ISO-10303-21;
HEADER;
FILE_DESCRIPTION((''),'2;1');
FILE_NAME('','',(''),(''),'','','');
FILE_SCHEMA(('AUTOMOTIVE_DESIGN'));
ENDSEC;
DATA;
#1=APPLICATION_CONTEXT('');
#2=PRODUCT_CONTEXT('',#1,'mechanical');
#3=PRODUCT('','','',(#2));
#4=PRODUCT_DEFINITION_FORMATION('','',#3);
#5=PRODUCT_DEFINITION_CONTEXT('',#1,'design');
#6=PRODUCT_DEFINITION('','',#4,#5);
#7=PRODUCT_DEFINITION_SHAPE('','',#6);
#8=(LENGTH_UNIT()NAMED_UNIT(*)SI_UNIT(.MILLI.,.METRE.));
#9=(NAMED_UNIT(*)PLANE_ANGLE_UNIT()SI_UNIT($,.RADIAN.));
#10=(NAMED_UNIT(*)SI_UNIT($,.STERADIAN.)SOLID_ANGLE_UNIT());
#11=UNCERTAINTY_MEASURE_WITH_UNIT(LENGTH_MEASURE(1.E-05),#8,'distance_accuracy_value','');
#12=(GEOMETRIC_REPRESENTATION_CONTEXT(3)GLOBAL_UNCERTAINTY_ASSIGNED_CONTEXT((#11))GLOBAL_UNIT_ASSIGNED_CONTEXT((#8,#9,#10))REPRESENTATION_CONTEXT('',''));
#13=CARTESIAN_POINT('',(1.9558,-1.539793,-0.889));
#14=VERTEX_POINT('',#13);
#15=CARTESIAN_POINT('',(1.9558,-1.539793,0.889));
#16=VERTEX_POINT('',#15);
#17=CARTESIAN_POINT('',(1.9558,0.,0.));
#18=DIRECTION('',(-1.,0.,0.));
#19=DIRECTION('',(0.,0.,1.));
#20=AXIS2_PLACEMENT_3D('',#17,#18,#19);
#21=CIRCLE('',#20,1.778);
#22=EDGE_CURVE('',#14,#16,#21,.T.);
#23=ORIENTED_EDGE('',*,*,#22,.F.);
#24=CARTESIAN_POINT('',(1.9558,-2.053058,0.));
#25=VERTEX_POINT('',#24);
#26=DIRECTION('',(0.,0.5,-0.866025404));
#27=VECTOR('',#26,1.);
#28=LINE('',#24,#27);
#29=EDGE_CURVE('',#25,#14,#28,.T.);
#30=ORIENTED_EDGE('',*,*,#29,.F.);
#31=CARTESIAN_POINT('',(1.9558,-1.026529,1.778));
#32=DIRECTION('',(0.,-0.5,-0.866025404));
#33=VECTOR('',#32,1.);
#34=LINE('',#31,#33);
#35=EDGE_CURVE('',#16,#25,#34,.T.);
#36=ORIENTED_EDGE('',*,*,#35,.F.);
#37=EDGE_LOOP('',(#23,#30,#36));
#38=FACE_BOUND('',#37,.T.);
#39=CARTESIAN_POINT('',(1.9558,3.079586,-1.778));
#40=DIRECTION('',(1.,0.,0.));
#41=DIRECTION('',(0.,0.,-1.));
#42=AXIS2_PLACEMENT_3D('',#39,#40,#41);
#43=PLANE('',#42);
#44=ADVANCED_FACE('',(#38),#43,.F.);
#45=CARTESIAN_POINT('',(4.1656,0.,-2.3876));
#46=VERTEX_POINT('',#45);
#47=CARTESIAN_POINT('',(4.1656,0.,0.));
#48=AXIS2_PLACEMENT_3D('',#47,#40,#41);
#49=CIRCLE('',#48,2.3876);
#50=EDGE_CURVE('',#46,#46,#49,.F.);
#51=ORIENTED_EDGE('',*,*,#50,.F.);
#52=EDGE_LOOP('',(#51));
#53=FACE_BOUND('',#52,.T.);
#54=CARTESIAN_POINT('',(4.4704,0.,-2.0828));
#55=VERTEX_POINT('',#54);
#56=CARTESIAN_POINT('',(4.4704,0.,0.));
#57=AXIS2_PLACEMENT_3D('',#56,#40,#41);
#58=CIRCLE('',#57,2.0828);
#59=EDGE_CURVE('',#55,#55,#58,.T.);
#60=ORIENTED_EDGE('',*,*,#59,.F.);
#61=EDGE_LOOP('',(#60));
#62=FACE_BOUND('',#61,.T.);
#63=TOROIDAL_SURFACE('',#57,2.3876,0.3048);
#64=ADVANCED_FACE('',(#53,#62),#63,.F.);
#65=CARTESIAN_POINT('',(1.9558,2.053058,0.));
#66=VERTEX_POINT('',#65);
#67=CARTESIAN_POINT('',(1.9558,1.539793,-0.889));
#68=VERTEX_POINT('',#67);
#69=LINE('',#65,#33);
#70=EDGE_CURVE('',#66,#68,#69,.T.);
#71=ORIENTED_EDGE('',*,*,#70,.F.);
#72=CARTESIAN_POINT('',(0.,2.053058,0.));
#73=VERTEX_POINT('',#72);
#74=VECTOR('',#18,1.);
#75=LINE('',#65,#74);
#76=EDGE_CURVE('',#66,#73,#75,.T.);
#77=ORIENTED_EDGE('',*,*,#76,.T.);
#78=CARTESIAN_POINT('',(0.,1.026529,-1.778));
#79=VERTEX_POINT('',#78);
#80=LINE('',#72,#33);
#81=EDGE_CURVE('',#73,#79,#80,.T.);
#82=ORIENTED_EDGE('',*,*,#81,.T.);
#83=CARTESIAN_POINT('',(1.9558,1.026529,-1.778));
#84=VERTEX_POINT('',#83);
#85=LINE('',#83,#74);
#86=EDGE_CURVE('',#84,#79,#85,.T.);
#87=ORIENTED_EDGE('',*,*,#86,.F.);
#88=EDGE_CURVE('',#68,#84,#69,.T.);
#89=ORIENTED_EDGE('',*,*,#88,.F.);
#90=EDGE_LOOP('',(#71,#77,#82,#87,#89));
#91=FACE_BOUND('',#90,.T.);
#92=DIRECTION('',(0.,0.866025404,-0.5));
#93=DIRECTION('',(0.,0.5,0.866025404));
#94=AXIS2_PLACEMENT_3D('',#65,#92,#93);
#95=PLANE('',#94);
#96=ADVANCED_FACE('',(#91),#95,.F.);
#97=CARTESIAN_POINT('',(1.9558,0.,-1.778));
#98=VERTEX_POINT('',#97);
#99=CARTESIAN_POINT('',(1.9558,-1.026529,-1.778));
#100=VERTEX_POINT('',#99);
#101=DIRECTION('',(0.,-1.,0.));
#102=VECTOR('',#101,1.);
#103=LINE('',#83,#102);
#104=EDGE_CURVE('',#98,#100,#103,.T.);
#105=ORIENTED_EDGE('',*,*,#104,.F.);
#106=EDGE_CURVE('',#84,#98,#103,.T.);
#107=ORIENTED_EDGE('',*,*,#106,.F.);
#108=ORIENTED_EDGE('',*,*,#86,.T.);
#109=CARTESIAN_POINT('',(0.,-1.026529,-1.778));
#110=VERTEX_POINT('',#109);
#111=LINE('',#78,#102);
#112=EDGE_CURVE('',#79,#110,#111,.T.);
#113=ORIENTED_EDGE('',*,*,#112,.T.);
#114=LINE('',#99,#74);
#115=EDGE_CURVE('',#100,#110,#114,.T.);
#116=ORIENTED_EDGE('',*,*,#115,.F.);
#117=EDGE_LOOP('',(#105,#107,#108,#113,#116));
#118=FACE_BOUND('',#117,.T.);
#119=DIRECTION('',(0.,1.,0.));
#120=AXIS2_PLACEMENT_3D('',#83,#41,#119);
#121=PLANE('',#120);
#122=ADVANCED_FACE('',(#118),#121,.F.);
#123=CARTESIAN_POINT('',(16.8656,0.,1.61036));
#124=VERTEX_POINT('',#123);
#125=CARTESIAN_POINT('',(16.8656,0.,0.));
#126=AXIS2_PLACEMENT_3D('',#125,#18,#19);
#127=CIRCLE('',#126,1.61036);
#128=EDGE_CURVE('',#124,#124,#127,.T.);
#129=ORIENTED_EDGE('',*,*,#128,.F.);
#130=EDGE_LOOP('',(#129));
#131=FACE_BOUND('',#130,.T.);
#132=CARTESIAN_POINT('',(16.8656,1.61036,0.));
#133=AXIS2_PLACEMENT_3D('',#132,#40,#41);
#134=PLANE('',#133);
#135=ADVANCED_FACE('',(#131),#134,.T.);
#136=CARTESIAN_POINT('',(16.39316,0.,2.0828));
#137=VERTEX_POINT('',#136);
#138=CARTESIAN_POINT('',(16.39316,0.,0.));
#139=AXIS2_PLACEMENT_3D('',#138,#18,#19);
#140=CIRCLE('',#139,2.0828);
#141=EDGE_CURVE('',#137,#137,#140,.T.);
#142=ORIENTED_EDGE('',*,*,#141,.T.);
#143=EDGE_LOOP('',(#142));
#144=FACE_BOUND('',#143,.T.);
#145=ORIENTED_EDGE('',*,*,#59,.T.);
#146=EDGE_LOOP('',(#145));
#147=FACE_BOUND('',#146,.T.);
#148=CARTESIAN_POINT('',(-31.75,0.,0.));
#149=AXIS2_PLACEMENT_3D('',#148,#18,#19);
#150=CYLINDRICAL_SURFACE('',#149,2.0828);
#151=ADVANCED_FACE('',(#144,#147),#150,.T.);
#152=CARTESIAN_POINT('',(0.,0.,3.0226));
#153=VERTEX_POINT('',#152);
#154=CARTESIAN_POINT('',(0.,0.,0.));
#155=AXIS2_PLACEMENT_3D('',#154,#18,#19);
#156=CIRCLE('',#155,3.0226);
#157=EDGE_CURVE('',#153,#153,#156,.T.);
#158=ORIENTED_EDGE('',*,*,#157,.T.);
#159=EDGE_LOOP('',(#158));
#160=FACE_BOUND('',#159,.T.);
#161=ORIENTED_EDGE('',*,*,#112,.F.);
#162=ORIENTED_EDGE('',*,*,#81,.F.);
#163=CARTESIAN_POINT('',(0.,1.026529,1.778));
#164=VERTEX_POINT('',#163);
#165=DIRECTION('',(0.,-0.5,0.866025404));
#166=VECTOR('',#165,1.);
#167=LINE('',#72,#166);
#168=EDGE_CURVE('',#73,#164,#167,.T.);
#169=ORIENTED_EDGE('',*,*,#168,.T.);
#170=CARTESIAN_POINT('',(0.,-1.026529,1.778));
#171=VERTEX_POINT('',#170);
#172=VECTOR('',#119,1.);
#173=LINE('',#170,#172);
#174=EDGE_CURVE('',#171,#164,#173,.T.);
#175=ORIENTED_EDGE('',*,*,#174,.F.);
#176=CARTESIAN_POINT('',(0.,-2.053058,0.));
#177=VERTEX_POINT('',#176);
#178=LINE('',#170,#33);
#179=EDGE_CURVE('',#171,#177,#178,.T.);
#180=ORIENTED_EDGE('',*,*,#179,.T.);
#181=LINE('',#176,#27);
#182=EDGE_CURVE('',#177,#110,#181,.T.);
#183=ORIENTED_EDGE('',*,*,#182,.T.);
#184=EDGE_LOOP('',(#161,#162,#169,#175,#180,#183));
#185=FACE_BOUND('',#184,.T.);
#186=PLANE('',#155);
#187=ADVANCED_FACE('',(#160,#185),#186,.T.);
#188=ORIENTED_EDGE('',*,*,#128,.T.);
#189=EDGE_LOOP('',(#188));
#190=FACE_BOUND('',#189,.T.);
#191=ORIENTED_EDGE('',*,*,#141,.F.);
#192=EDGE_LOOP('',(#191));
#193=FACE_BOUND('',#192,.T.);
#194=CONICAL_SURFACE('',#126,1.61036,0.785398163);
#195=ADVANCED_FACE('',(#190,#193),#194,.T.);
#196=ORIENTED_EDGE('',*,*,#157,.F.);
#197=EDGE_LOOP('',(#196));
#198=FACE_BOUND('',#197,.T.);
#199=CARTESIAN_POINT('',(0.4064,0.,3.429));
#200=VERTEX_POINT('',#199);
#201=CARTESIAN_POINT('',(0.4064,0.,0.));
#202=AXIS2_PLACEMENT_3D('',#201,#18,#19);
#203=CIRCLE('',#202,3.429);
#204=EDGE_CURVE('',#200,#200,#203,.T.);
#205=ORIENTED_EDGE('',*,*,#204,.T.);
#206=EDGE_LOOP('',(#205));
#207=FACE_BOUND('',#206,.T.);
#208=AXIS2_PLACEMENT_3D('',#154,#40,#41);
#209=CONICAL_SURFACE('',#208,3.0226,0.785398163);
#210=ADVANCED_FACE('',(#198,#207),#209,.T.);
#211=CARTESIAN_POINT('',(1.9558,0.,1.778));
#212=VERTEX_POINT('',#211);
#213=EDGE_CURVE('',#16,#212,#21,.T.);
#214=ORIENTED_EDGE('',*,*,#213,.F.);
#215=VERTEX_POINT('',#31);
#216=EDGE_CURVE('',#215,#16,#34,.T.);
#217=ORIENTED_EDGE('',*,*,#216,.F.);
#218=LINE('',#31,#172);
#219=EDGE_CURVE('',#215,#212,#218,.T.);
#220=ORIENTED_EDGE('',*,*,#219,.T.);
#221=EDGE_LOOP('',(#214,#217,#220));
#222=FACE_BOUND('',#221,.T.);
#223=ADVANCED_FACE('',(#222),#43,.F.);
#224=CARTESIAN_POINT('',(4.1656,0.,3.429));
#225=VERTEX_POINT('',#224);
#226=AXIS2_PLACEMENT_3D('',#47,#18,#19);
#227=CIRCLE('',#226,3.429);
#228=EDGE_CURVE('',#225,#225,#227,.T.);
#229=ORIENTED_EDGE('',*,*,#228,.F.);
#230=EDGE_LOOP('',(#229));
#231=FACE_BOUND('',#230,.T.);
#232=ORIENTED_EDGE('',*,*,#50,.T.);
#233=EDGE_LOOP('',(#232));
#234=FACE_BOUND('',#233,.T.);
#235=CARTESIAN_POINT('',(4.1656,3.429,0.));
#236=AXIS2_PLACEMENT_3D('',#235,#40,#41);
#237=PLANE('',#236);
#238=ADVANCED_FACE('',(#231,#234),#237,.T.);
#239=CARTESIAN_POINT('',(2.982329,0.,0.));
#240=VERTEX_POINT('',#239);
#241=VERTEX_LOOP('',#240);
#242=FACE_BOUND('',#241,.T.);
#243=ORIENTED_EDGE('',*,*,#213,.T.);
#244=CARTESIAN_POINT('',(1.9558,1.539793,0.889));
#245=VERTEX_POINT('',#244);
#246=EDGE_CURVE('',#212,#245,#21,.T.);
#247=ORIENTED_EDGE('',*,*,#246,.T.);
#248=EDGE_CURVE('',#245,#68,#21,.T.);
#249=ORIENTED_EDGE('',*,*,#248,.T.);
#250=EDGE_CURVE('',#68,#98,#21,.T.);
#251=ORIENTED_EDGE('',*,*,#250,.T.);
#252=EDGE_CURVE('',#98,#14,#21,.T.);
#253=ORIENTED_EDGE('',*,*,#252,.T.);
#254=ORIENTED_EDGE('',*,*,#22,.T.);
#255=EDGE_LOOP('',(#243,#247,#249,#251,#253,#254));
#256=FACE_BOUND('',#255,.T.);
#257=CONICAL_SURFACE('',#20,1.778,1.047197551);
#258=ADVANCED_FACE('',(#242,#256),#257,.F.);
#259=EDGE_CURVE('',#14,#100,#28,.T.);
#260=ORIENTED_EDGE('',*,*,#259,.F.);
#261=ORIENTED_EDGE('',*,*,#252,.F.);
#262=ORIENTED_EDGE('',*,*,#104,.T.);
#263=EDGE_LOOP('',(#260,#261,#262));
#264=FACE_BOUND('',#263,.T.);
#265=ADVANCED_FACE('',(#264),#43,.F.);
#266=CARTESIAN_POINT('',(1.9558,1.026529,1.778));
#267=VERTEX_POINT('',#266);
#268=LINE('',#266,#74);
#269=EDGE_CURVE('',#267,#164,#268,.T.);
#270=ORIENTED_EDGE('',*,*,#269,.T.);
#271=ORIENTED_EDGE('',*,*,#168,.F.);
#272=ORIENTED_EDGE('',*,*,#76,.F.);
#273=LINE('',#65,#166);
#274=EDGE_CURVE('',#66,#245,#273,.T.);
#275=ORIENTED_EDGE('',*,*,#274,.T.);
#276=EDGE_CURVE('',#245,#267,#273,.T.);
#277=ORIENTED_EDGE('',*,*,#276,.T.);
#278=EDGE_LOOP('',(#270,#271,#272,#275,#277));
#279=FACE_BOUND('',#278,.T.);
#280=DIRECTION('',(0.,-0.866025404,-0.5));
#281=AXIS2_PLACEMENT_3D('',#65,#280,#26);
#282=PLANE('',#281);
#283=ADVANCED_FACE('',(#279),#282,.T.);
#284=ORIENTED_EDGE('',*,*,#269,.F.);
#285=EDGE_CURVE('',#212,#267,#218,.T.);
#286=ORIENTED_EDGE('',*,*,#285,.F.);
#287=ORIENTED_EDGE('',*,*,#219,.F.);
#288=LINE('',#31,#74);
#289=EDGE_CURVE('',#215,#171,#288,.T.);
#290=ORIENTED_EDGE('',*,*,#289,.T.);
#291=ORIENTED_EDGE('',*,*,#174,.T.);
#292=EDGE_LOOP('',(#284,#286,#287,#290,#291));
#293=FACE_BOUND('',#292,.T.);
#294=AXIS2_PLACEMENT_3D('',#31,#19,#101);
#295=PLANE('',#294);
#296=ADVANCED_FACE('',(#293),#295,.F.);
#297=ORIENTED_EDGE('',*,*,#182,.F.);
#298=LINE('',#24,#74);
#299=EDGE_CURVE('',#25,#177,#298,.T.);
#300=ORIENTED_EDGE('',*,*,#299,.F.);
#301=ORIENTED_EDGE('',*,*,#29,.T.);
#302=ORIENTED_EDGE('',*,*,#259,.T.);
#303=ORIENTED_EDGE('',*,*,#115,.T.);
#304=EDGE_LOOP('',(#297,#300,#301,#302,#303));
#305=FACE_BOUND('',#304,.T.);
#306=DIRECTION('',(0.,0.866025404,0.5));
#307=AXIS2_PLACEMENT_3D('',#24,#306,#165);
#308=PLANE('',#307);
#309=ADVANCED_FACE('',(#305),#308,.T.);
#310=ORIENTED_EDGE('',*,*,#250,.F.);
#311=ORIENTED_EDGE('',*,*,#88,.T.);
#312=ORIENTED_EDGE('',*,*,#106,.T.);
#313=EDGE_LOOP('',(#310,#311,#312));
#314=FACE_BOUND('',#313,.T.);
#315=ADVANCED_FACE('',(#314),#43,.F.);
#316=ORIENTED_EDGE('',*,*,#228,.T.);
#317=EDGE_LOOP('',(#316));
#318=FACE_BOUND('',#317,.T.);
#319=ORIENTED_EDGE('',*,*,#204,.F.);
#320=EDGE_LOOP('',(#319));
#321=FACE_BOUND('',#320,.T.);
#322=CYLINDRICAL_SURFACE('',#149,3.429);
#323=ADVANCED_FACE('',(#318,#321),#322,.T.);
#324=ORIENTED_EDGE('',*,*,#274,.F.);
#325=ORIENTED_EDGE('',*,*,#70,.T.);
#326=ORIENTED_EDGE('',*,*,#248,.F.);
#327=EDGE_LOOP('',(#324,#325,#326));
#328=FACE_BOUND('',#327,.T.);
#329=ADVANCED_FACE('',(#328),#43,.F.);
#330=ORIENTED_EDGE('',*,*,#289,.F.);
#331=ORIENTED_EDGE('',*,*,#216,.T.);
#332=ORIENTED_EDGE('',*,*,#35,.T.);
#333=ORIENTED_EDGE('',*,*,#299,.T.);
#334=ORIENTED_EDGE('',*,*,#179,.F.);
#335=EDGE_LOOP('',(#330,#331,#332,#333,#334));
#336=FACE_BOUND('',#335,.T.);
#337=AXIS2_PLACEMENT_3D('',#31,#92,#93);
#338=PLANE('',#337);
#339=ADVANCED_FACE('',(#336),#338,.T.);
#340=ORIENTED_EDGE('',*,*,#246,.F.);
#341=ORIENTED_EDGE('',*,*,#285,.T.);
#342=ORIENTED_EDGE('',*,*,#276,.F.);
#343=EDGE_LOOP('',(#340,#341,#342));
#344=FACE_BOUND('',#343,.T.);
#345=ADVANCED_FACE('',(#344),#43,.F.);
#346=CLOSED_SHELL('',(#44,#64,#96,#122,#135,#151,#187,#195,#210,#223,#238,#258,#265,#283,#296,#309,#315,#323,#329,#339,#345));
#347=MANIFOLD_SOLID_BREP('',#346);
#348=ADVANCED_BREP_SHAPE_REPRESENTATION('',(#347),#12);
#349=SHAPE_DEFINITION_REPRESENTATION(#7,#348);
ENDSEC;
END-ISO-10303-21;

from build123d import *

# Parameters (mm, degrees)
FILLET1_R   = 0.3048
HEX_2_DEPTH = 1.9558


with BuildPart() as part:
    # BodySke → Base-Revolve (revolve)
    with BuildSketch(Plane.XY):
        Polygon((0, 0), (0, 3.0226), (0.4064, 3.429), (4.1656, 3.429), (4.1656, 2.0828), (16.39316, 2.0828), (16.8656, 1.61036), (16.8656, 0), align=None)
    revolve(axis=Axis((-31.75, 0, 0), (1, 0, 0)))

    # Fillet1
    fillet1_edges = [part.edges().sort_by_distance(p)[0] for p in [
        (4.1656, -2.0828, 0),
    ]]
    fillet(fillet1_edges, radius=FILLET1_R)

    # Sketch2 → Hex-PreBroach (revolve, cut)
    with BuildSketch(Plane.XY):
        Polygon((0, 1.778), (1.9558, 1.778), (2.982328779, 0), (0, 0), align=None)
    revolve(axis=Axis((0, 0, 0), (1, 0, 0)), mode=Mode.SUBTRACT)

    # Sketch3 → Hex 2 (cut)
    with BuildSketch(Plane(origin=(0, 0, 0), x_dir=(0, 0.5, 0.866025404), z_dir=(-1, 0, 0))):
        Polygon((1.026528779, 1.778), (-1.026528779, 1.778), (-2.053057557, 0), (-1.026528779, -1.778), (1.026528779, -1.778), (2.053057557, 0), align=None)
    extrude(amount=-HEX_2_DEPTH, mode=Mode.SUBTRACT)


solid = part.part
